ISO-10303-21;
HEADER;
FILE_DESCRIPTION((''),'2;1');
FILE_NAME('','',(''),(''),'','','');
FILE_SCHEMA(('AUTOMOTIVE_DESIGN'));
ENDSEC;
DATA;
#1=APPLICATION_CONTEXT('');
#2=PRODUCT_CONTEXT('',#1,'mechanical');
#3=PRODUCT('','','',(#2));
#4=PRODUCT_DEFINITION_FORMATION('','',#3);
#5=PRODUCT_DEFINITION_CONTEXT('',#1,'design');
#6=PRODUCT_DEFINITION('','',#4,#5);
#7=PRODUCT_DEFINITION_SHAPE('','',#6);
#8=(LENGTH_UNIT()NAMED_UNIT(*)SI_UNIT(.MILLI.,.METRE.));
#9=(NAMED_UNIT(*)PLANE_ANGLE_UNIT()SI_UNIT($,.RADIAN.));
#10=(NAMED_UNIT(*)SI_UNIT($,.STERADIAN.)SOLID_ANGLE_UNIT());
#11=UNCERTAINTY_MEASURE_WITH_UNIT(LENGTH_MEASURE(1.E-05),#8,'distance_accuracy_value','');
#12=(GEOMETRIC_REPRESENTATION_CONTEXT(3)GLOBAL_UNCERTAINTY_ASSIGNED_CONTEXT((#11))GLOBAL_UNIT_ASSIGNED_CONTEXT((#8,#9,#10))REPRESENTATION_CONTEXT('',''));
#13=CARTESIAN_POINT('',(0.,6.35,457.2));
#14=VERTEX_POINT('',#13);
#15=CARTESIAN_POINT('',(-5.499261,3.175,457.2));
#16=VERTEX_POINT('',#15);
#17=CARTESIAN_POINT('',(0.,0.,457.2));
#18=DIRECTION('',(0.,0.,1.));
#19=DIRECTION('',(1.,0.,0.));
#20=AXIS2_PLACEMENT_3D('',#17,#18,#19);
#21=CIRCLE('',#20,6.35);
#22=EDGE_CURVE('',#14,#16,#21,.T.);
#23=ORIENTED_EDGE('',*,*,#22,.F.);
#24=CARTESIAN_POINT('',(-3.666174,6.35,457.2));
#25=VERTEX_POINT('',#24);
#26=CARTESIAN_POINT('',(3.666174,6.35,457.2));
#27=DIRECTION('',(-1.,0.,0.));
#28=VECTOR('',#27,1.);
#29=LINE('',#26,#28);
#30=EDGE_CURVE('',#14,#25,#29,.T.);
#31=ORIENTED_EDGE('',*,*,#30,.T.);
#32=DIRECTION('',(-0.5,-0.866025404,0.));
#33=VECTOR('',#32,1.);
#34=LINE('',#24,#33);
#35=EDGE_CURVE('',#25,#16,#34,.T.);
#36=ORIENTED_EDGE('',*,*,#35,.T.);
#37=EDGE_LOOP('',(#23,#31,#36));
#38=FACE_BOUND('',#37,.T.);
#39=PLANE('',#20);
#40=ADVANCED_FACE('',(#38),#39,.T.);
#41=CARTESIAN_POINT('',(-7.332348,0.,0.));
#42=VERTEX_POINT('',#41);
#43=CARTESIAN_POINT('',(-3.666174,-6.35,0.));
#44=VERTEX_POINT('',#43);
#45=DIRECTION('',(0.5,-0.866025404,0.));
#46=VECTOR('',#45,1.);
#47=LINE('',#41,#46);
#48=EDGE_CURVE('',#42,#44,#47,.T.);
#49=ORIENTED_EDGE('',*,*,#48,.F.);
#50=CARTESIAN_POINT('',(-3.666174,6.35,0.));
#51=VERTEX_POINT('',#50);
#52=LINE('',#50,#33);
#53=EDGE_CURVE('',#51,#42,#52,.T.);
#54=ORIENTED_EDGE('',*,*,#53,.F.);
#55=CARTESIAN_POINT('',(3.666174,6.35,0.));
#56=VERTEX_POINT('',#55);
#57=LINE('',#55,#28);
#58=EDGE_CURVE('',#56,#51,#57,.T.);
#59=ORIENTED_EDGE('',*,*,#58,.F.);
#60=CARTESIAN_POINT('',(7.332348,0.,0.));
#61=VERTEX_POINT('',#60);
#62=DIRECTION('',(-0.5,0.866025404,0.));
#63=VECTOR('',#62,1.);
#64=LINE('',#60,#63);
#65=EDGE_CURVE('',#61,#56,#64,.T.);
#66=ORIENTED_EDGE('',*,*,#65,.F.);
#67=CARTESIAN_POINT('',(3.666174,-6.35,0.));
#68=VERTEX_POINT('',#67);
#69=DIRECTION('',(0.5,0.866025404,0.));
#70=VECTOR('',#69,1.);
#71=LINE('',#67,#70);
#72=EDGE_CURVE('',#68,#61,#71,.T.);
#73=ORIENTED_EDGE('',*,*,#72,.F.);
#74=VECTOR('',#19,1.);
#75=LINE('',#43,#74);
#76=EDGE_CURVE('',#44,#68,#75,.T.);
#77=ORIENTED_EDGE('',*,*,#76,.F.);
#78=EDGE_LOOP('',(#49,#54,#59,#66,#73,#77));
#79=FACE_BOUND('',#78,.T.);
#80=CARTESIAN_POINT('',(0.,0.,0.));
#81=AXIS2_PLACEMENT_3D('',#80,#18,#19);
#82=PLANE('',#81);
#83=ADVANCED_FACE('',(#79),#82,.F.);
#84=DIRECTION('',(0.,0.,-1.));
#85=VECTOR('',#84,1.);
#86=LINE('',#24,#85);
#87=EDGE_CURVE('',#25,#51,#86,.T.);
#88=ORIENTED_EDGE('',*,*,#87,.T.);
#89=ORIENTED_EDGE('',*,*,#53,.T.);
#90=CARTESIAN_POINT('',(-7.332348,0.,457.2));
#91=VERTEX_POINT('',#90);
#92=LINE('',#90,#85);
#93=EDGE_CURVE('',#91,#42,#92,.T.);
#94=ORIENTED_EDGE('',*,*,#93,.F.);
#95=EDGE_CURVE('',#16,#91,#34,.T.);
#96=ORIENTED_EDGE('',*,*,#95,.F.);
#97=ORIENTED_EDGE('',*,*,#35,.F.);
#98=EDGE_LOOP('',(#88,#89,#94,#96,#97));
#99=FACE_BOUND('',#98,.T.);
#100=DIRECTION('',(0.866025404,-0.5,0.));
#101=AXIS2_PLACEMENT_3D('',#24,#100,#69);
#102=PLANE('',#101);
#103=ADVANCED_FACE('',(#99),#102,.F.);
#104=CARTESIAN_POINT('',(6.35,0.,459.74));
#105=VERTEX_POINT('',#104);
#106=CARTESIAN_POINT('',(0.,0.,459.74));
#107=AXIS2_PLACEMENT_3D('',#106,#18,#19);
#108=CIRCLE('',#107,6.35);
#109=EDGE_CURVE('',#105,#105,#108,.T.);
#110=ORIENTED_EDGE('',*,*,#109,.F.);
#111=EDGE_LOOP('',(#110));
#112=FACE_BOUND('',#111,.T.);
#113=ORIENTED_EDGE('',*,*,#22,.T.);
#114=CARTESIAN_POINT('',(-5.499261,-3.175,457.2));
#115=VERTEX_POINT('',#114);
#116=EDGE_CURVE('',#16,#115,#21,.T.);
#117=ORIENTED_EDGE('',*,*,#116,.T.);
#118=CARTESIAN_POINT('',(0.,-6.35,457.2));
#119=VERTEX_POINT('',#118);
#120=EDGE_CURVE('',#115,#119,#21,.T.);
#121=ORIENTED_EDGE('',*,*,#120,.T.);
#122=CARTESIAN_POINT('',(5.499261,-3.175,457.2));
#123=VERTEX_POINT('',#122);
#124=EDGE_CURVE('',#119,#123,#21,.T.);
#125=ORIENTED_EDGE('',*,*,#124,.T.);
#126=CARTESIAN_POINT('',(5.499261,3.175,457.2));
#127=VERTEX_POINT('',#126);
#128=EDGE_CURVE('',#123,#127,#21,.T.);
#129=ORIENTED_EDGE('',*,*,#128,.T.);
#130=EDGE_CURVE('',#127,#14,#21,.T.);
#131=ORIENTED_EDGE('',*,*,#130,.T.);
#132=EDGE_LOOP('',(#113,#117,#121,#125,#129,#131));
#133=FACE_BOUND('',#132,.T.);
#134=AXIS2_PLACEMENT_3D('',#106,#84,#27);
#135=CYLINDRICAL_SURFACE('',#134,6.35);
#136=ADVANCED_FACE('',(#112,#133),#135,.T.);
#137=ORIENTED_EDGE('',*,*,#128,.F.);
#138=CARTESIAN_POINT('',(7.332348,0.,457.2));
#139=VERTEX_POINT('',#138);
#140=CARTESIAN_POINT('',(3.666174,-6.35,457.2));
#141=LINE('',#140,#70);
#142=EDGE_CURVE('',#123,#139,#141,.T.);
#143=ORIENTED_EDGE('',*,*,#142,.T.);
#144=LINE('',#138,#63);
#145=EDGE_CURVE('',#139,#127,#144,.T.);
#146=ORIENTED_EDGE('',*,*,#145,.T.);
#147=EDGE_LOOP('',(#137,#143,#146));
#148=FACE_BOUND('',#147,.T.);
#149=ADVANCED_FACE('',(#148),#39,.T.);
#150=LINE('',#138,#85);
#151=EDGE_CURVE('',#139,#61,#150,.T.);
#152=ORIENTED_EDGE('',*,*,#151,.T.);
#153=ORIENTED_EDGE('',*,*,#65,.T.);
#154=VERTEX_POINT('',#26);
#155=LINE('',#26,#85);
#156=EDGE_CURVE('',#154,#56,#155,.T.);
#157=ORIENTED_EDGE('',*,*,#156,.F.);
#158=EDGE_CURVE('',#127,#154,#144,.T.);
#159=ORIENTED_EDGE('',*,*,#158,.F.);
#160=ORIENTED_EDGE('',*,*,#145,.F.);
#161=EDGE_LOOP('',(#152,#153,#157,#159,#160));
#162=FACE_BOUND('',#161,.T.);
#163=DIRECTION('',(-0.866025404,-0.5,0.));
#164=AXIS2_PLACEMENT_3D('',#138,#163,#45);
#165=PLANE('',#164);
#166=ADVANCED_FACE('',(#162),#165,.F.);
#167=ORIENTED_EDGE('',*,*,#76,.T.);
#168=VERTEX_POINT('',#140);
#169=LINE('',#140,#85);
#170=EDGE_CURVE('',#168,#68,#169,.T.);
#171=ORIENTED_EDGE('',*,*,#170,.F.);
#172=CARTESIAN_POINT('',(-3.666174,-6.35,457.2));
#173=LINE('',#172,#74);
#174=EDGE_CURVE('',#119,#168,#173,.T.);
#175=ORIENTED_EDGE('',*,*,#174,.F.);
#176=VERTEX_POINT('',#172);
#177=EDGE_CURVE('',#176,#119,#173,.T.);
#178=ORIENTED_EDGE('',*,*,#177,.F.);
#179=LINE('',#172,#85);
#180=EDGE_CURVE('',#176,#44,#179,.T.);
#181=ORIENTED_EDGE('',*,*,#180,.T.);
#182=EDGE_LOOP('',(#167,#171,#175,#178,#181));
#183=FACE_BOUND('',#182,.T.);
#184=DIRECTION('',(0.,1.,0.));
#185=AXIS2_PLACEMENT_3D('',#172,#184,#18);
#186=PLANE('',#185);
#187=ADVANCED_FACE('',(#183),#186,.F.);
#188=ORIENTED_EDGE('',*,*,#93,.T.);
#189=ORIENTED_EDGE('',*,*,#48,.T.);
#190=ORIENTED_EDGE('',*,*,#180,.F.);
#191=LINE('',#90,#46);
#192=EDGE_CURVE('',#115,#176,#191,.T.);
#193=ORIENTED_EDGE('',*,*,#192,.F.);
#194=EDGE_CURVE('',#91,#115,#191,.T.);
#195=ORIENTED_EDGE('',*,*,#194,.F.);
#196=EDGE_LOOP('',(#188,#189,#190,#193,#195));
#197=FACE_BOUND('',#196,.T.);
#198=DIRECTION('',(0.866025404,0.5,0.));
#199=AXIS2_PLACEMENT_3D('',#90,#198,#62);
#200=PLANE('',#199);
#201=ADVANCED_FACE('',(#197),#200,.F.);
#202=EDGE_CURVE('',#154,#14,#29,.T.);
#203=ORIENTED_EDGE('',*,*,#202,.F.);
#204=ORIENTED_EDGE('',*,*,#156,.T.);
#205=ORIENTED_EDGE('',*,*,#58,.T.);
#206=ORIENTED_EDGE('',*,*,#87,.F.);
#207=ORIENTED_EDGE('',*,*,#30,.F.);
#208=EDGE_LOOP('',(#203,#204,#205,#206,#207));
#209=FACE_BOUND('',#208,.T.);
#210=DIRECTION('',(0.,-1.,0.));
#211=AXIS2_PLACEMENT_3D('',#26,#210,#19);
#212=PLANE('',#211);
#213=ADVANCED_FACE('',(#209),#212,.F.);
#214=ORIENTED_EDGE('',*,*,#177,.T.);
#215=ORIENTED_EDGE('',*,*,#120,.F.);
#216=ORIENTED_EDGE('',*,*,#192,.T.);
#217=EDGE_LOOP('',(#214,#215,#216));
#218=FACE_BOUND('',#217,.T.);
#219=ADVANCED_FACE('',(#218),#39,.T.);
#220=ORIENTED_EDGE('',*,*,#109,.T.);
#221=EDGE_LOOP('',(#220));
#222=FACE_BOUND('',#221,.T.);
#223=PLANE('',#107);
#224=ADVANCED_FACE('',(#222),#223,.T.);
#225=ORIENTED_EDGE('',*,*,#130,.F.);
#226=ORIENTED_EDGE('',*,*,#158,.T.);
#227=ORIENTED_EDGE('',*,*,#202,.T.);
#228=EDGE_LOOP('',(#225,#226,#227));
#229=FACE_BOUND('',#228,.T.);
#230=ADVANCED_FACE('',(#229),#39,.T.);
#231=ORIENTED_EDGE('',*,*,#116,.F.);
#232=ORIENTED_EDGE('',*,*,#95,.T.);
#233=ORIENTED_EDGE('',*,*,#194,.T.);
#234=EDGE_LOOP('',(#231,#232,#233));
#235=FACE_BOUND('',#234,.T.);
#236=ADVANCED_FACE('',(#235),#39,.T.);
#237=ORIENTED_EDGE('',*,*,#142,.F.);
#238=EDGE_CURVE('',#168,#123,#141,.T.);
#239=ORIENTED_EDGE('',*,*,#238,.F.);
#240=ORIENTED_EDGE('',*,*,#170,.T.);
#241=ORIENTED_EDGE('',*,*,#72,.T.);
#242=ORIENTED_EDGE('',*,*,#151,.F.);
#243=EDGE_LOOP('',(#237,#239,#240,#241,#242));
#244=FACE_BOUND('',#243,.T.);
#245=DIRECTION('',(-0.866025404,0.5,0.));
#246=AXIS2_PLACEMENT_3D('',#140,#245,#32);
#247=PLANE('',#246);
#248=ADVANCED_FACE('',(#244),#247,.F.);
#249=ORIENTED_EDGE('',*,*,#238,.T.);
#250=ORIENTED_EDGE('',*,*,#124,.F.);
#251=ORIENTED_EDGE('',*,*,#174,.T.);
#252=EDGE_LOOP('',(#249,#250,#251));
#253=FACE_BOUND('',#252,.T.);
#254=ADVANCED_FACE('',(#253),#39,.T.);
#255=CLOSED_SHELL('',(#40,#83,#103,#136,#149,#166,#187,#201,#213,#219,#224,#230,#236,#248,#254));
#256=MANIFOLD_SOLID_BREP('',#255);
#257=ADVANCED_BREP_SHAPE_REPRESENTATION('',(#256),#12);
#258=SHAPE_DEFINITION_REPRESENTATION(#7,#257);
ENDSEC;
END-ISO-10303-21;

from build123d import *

# Parameters (mm, degrees)
BOSS_EXTRUDE1_DEPTH = 457.2
SKETCH2_R           = 6.35
BOSS_EXTRUDE2_DEPTH = 2.54


with BuildPart() as part:
    # Sketch1 → Boss-Extrude1 (new body)
    with BuildSketch(Plane.XY):
        Polygon((7.332348419, 0), (3.666174209, 6.35), (-3.666174209, 6.35), (-7.332348419, 0), (-3.666174209, -6.35), (3.666174209, -6.35), align=None)
    extrude(amount=BOSS_EXTRUDE1_DEPTH)

    # Sketch2 → Boss-Extrude2 (add)
    with BuildSketch(Plane.XY.offset(457.2)):
        with Locations(Location((0, 0, 0), (0, 0, 150))):
            Circle(SKETCH2_R)
    extrude(amount=BOSS_EXTRUDE2_DEPTH)


solid = part.part
